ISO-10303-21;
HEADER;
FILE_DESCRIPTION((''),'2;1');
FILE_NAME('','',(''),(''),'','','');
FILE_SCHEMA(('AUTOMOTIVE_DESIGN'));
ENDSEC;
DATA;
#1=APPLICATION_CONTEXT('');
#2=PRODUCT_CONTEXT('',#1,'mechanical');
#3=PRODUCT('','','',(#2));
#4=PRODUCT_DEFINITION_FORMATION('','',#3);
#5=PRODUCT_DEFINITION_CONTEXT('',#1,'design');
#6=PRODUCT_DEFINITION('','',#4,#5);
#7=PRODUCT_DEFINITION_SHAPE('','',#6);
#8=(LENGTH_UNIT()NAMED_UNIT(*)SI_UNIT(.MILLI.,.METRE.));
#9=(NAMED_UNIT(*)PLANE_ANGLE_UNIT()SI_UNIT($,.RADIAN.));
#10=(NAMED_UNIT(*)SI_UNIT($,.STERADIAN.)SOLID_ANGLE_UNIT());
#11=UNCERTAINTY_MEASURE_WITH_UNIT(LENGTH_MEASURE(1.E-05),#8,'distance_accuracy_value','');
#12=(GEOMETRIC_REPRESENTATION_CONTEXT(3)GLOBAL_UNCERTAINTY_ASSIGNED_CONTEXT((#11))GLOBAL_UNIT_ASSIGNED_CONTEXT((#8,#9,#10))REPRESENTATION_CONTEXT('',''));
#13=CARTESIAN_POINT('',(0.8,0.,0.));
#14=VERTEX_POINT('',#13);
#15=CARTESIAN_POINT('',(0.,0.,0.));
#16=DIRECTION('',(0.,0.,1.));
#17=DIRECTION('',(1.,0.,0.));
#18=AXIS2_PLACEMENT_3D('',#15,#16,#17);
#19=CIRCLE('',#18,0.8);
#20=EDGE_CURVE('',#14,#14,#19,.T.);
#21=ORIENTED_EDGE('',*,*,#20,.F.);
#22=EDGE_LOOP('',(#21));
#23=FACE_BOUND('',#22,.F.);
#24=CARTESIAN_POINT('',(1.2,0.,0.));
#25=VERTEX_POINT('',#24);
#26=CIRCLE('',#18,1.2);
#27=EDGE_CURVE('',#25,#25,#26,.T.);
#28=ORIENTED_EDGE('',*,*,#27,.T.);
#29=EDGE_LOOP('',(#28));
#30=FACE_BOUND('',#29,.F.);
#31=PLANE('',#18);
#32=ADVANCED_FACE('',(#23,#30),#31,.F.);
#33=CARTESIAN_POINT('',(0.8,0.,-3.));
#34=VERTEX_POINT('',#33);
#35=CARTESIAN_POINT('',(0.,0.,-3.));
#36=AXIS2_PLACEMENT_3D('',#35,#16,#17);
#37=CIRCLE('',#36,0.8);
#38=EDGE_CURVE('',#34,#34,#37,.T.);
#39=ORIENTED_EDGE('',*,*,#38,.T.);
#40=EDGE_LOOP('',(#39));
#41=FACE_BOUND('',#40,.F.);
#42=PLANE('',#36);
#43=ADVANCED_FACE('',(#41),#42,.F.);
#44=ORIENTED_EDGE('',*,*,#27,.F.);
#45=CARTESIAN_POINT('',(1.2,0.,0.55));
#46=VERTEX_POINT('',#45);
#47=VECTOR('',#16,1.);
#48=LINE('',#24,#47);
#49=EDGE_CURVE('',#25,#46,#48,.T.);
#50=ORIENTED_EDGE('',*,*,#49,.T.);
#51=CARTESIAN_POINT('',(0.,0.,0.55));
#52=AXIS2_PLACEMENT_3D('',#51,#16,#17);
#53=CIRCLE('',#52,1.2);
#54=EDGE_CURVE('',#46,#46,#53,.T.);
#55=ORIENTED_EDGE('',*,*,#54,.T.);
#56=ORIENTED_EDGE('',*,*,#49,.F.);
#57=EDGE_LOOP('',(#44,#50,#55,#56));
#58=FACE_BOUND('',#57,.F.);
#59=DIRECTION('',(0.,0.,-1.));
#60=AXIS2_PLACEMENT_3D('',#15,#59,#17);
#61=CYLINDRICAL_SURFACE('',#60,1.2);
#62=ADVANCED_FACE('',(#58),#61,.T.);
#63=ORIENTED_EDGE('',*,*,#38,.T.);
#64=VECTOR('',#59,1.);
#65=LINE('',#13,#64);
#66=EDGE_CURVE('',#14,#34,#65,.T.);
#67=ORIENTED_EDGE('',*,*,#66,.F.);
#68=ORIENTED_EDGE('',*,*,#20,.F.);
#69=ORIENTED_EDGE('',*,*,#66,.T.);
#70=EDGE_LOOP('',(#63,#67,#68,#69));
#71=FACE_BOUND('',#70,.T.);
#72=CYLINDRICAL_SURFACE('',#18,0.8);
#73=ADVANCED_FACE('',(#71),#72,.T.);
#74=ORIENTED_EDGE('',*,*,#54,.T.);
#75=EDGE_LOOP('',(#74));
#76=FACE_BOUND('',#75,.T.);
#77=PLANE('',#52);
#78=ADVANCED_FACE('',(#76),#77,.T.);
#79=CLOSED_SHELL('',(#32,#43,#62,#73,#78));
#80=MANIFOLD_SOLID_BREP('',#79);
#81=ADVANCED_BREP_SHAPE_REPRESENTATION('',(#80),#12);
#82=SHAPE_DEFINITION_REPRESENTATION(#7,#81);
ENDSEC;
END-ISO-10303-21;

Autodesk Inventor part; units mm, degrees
ref_plane "YZ Plane" through (0, 0, 0) normal (1, 0, 0) x (0, 1, 0)
ref_plane "XZ Plane" through (0, 0, 0) normal (0, 1, 0) x (-1, 0, 0)
ref_plane "XY Plane" through (0, 0, 0) normal (0, 0, 1) x (1, 0, 0)
sketch "スケッチ1" plane through (0, 0, 0) normal (0, 0, 1) x (1, 0, 0)
  circle A0 centre (0, 0) radius 1.2
  circle A1 centre (0, 0) radius 0.8
  dimension "d0" = 2.4
  dimension "d1" = 1.6
extrude "押し出し1" add sketch "スケッチ1" along normal blind 0.55 contours A0 | A1
extrude "押し出し2" add sketch "スケッチ1" against normal blind 3 contours A1
properties part number "m1.6_3_なべ小ねじ0番"
